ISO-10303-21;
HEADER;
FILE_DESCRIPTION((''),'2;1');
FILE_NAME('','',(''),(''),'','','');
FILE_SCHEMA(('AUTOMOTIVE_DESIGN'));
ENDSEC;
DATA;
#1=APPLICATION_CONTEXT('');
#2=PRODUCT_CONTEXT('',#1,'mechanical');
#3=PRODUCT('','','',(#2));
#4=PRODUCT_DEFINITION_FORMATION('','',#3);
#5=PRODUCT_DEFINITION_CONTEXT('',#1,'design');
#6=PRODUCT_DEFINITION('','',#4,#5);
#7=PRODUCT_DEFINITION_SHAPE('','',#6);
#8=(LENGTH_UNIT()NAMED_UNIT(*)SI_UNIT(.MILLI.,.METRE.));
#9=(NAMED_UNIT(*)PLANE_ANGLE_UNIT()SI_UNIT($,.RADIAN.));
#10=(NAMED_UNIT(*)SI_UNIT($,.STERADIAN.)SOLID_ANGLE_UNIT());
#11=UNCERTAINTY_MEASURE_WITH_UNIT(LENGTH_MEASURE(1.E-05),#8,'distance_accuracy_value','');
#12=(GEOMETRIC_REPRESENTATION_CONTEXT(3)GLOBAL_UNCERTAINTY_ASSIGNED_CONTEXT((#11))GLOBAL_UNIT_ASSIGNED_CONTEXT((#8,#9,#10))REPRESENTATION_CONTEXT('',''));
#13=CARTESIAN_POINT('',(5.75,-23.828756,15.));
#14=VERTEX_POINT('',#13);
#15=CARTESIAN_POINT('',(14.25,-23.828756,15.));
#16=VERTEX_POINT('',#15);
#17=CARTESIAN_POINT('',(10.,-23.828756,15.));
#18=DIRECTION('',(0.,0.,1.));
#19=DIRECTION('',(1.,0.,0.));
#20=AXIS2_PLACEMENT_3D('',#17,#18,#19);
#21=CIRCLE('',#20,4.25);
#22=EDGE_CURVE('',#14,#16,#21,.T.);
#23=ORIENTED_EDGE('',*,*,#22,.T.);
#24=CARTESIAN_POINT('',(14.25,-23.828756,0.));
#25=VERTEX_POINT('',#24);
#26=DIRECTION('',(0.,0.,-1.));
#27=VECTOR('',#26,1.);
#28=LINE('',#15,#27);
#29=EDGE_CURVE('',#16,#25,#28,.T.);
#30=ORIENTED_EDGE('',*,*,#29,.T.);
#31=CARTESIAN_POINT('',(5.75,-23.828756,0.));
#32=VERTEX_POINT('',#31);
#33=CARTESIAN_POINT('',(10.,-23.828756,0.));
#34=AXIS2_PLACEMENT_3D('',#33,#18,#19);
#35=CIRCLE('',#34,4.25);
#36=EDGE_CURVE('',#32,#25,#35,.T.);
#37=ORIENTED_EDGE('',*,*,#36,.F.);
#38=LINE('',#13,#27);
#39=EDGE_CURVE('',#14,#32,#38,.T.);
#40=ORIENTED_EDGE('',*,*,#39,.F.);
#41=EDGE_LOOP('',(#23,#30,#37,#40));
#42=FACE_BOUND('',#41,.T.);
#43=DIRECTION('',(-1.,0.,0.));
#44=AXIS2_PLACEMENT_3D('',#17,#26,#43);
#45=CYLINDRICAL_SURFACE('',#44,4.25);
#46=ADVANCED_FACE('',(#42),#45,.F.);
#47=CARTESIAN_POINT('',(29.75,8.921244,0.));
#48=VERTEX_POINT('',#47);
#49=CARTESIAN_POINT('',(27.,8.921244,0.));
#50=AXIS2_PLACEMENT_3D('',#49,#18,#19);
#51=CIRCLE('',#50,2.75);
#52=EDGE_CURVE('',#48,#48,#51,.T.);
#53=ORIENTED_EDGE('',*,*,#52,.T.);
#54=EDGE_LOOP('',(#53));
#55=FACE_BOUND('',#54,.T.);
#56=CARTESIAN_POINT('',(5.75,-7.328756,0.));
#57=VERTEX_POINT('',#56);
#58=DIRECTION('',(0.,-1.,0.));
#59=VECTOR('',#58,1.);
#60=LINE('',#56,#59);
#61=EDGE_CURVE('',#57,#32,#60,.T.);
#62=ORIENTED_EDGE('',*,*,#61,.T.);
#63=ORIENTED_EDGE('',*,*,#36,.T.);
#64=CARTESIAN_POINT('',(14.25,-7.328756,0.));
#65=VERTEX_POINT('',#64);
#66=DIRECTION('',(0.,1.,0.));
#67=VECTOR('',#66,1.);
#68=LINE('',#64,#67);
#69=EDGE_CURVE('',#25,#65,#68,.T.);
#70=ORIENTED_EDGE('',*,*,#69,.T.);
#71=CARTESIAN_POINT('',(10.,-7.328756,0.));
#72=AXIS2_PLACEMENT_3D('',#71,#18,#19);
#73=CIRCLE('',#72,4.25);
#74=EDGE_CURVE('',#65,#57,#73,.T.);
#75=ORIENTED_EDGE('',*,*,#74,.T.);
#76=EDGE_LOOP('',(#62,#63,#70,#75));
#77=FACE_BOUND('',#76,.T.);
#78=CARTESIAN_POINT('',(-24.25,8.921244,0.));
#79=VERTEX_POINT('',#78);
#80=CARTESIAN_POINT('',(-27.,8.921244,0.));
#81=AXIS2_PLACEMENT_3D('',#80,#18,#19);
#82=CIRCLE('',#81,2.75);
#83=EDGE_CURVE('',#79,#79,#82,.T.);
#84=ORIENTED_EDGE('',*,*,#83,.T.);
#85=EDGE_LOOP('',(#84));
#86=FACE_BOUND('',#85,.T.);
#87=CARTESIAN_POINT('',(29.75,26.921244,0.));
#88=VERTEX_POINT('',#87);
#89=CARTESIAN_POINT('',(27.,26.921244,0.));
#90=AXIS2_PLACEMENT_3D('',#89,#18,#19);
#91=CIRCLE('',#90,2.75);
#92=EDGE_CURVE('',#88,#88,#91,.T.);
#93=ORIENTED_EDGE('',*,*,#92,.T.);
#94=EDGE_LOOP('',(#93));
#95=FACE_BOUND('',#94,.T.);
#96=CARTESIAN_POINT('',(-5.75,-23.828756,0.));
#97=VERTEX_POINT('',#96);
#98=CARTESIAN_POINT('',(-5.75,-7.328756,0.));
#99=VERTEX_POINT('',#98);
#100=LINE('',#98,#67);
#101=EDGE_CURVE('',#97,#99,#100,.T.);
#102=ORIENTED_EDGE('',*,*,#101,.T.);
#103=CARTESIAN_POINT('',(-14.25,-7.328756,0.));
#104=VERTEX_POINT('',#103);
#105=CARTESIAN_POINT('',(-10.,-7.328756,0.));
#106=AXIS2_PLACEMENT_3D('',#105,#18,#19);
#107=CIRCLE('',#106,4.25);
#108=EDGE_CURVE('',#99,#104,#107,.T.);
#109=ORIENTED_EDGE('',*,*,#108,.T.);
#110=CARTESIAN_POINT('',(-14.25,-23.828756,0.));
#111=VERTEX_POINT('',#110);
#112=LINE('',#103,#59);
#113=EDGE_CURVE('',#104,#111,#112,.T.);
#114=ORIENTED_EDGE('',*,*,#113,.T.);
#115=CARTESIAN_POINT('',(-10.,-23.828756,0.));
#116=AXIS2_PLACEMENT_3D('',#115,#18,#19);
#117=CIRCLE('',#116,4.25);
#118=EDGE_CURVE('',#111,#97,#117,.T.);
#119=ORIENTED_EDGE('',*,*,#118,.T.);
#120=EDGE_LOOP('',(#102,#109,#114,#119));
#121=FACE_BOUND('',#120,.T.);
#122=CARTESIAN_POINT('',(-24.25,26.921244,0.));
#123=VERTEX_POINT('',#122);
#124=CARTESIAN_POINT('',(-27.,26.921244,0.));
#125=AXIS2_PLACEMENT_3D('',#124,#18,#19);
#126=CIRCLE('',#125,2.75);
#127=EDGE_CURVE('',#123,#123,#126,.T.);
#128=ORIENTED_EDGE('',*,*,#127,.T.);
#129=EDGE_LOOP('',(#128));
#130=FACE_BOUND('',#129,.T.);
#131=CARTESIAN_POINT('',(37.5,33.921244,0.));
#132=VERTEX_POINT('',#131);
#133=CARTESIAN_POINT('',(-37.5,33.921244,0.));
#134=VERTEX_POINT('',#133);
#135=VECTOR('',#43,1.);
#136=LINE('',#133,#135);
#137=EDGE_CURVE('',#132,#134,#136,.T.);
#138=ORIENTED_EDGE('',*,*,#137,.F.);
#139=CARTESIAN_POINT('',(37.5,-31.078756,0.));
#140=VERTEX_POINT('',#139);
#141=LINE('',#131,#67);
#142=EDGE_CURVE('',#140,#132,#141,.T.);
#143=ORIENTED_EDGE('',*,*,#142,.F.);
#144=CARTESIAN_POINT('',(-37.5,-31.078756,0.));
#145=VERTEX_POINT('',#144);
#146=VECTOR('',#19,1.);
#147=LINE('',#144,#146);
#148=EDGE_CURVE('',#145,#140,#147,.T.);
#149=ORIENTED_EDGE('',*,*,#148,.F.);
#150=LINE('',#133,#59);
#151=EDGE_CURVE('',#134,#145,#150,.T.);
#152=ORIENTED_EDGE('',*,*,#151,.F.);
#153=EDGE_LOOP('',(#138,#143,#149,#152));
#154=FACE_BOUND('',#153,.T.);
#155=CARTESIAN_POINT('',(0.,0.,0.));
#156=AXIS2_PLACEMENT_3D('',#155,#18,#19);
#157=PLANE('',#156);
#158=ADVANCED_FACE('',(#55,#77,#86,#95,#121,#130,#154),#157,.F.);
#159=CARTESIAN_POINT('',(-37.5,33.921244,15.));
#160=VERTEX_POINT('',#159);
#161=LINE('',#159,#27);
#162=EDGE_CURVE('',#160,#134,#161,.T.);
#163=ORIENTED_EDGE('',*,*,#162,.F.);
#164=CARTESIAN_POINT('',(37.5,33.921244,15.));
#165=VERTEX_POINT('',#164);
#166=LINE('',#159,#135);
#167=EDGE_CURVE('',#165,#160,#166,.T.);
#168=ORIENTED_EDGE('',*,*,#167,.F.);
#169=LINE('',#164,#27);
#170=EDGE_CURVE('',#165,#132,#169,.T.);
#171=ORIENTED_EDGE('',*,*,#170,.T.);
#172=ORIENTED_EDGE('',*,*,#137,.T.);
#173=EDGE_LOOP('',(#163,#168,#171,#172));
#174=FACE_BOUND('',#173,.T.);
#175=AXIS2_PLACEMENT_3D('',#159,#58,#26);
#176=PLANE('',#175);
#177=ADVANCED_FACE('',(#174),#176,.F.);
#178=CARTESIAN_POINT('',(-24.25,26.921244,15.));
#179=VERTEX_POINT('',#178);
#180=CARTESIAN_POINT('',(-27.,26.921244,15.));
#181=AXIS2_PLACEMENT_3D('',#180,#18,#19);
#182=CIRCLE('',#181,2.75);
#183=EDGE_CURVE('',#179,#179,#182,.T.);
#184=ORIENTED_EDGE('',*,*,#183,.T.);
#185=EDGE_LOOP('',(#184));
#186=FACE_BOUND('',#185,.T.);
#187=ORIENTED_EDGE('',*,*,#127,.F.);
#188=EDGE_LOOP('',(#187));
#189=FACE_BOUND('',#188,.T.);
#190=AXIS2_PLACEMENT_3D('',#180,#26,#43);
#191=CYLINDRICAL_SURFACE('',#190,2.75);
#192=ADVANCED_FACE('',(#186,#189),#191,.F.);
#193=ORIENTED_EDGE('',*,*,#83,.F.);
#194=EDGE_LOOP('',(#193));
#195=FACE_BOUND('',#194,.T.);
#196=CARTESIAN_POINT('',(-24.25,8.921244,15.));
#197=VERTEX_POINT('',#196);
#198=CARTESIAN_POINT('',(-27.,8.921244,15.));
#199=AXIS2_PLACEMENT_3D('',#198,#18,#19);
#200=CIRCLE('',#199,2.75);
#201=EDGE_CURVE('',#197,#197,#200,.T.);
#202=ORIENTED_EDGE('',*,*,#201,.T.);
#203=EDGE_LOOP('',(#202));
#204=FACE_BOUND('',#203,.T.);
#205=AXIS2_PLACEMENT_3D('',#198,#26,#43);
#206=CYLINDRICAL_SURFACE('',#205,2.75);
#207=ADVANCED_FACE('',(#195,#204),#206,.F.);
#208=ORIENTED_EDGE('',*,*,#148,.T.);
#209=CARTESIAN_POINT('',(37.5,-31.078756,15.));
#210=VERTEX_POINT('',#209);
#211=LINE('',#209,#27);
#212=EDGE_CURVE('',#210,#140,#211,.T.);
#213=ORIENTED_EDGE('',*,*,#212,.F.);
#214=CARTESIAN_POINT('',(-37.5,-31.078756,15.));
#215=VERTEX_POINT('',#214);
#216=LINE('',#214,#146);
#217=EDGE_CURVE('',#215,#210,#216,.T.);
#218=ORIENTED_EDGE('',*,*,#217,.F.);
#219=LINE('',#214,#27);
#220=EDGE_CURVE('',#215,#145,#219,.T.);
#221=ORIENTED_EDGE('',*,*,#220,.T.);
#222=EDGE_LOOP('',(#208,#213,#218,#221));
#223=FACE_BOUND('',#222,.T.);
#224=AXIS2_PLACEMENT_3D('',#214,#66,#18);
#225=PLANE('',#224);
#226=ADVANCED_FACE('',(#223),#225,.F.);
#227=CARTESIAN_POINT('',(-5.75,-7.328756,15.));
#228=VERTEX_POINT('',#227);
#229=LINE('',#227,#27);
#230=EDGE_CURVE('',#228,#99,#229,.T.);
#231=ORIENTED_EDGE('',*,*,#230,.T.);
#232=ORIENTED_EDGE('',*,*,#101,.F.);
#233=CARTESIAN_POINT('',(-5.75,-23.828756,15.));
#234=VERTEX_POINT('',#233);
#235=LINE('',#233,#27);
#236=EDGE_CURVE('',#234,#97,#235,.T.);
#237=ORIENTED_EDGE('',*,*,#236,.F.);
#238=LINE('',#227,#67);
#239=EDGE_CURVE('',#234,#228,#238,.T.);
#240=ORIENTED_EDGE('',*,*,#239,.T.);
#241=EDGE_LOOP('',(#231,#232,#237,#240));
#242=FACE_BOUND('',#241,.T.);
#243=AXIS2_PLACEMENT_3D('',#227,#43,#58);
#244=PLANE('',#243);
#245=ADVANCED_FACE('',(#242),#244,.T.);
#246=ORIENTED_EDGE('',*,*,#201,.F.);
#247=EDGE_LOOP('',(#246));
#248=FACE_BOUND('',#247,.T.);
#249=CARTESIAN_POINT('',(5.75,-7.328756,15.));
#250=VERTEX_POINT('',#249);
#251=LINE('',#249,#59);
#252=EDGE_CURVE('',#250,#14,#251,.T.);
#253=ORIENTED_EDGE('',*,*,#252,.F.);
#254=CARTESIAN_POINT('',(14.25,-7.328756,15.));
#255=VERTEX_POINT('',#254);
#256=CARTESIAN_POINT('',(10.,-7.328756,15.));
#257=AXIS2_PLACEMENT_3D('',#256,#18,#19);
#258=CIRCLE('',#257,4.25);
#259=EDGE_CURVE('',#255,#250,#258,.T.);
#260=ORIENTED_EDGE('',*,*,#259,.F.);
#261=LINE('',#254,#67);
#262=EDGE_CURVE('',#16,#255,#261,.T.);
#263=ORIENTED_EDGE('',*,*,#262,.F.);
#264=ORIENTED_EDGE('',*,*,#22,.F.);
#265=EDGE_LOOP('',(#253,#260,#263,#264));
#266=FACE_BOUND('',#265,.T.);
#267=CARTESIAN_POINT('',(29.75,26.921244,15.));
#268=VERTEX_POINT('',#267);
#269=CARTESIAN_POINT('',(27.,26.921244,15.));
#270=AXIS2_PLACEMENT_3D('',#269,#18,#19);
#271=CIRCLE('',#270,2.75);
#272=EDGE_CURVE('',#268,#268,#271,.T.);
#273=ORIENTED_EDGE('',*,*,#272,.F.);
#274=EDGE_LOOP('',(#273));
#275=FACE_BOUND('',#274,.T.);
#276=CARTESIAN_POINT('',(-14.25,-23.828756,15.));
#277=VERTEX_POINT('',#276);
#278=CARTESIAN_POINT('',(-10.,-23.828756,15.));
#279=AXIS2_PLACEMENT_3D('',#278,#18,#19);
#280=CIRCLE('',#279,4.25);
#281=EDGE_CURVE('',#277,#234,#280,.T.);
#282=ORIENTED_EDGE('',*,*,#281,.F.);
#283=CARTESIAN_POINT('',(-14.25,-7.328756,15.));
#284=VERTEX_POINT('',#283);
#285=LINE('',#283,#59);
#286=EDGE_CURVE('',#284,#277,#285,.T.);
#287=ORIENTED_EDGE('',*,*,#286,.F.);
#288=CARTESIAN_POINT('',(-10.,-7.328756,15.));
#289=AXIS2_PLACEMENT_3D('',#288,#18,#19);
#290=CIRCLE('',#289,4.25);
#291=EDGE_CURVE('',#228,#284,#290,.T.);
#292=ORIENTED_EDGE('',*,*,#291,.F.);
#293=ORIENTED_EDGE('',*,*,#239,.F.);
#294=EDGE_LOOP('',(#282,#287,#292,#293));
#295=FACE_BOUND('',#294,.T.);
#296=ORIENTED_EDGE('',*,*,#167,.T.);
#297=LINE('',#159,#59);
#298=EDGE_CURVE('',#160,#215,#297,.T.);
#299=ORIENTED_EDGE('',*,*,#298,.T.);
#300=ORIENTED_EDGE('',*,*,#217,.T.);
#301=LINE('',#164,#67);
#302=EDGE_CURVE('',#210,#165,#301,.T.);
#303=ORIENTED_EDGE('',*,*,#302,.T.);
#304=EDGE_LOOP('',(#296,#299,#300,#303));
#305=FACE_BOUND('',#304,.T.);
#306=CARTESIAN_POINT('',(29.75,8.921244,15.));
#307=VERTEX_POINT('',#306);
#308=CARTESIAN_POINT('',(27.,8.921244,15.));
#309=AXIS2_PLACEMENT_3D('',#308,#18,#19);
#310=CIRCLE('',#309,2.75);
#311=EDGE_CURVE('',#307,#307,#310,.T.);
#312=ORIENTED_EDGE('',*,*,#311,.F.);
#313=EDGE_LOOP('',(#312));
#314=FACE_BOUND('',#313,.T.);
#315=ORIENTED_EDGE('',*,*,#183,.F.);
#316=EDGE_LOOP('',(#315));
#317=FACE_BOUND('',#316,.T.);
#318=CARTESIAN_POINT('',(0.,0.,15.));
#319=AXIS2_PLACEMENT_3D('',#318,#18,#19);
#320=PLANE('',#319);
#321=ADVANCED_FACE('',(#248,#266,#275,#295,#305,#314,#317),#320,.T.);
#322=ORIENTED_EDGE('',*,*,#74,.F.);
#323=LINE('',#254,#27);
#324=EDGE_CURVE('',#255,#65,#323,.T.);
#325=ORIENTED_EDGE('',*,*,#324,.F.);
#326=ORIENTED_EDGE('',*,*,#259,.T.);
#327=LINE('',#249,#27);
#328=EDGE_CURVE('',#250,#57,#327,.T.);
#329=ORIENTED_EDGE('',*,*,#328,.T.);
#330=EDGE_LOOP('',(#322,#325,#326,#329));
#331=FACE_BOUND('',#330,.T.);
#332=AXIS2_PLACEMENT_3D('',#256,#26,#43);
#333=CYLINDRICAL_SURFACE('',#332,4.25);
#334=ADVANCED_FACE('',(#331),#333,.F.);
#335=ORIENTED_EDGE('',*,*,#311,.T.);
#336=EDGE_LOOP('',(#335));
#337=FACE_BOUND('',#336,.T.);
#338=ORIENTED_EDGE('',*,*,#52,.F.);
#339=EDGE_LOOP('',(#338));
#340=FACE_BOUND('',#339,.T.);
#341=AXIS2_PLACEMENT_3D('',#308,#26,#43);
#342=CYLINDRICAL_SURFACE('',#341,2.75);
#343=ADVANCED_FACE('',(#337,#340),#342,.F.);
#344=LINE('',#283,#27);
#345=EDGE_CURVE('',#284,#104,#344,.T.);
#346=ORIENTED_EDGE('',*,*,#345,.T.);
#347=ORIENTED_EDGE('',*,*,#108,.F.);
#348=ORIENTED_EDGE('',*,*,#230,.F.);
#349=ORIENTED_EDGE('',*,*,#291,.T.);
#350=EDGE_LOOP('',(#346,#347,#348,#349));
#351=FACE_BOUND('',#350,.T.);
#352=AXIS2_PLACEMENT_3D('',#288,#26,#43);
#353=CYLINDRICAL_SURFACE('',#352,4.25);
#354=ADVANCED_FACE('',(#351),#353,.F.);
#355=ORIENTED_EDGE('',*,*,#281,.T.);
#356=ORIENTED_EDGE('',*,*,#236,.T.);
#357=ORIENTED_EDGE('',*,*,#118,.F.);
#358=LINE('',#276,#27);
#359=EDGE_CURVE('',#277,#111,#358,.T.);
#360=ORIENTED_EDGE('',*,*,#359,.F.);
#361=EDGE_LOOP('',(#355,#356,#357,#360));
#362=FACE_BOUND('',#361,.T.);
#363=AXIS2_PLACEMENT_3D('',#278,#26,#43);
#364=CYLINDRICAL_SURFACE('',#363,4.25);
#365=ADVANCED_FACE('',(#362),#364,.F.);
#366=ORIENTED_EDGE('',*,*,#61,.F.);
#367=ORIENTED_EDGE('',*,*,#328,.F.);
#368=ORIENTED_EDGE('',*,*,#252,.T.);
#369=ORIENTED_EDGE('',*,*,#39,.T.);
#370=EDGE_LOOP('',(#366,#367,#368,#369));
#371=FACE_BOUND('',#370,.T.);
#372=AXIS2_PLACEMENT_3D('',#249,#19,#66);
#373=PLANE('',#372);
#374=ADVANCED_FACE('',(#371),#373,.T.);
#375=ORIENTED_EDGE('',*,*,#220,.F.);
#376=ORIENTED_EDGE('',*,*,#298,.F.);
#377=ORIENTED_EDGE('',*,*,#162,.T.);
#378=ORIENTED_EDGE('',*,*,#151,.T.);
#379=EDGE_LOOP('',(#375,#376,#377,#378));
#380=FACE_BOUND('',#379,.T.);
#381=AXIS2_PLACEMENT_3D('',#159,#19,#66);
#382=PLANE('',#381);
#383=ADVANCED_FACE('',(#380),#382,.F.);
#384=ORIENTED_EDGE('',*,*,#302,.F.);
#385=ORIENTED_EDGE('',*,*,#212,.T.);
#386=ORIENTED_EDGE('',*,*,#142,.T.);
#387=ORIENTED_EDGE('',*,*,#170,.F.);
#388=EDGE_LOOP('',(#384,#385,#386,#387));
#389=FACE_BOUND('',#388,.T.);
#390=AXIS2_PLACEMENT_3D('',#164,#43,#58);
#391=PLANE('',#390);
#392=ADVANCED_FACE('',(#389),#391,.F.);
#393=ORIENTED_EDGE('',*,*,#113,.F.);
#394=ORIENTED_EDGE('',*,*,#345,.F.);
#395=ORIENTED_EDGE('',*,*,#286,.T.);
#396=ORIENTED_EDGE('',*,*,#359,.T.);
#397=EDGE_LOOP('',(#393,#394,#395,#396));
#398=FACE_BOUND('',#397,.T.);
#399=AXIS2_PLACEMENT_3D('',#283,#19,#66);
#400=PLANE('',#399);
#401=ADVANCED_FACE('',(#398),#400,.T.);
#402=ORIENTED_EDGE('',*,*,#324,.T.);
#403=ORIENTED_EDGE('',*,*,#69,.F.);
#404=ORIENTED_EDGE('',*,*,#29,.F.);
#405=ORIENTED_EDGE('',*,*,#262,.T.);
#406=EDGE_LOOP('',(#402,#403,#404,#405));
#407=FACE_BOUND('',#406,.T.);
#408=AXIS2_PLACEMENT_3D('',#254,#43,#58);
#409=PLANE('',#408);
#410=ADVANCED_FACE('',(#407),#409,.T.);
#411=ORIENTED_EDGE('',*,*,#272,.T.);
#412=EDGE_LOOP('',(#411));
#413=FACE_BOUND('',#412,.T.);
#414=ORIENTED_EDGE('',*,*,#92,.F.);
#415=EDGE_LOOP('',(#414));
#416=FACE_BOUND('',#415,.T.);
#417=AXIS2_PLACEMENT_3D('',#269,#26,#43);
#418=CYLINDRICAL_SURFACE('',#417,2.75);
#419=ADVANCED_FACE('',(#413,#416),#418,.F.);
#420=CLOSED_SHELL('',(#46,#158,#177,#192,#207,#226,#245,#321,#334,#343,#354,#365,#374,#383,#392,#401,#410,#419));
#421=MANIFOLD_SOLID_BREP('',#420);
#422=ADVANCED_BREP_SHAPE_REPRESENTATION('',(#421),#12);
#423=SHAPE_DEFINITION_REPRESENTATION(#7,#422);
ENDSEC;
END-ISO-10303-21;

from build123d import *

# Parameters (mm, degrees)
SKETCH1_W           = 75
SKETCH1_H           = 65
SKETCH1_R           = 2.75
BOSS_EXTRUDE1_DEPTH = 15


with BuildPart() as part:
    # Sketch1 → Boss-Extrude1 (new body)
    with BuildSketch(Plane.XY):
        with Locations((0, 1.421243981)):
            Rectangle(SKETCH1_W, SKETCH1_H)
        with Locations((-27, 8.921243981)):
            Circle(SKETCH1_R, mode=Mode.SUBTRACT)
        with Locations((-27, 26.921243981)):
            Circle(SKETCH1_R, mode=Mode.SUBTRACT)
        with Locations((27, 26.921243981)):
            Circle(SKETCH1_R, mode=Mode.SUBTRACT)
        with Locations((27, 8.921243981)):
            Circle(SKETCH1_R, mode=Mode.SUBTRACT)
        with BuildLine():
            Line((-5.75, -7.328756019), (-5.75, -23.828756019))
            ThreePointArc((-5.75, -23.828756019), (-10, -28.078756019), (-14.25, -23.828756019))
            Line((-14.25, -23.828756019), (-14.25, -7.328756019))
            ThreePointArc((-14.25, -7.328756019), (-10, -3.078756019), (-5.75, -7.328756019))
        make_face(mode=Mode.SUBTRACT)
        with BuildLine():
            Line((14.25, -7.328756019), (14.25, -23.828756019))
            ThreePointArc((14.25, -23.828756019), (10, -28.078756019), (5.75, -23.828756019))
            Line((5.75, -23.828756019), (5.75, -7.328756019))
            ThreePointArc((5.75, -7.328756019), (10, -3.078756019), (14.25, -7.328756019))
        make_face(mode=Mode.SUBTRACT)
    extrude(amount=BOSS_EXTRUDE1_DEPTH)


solid = part.part
